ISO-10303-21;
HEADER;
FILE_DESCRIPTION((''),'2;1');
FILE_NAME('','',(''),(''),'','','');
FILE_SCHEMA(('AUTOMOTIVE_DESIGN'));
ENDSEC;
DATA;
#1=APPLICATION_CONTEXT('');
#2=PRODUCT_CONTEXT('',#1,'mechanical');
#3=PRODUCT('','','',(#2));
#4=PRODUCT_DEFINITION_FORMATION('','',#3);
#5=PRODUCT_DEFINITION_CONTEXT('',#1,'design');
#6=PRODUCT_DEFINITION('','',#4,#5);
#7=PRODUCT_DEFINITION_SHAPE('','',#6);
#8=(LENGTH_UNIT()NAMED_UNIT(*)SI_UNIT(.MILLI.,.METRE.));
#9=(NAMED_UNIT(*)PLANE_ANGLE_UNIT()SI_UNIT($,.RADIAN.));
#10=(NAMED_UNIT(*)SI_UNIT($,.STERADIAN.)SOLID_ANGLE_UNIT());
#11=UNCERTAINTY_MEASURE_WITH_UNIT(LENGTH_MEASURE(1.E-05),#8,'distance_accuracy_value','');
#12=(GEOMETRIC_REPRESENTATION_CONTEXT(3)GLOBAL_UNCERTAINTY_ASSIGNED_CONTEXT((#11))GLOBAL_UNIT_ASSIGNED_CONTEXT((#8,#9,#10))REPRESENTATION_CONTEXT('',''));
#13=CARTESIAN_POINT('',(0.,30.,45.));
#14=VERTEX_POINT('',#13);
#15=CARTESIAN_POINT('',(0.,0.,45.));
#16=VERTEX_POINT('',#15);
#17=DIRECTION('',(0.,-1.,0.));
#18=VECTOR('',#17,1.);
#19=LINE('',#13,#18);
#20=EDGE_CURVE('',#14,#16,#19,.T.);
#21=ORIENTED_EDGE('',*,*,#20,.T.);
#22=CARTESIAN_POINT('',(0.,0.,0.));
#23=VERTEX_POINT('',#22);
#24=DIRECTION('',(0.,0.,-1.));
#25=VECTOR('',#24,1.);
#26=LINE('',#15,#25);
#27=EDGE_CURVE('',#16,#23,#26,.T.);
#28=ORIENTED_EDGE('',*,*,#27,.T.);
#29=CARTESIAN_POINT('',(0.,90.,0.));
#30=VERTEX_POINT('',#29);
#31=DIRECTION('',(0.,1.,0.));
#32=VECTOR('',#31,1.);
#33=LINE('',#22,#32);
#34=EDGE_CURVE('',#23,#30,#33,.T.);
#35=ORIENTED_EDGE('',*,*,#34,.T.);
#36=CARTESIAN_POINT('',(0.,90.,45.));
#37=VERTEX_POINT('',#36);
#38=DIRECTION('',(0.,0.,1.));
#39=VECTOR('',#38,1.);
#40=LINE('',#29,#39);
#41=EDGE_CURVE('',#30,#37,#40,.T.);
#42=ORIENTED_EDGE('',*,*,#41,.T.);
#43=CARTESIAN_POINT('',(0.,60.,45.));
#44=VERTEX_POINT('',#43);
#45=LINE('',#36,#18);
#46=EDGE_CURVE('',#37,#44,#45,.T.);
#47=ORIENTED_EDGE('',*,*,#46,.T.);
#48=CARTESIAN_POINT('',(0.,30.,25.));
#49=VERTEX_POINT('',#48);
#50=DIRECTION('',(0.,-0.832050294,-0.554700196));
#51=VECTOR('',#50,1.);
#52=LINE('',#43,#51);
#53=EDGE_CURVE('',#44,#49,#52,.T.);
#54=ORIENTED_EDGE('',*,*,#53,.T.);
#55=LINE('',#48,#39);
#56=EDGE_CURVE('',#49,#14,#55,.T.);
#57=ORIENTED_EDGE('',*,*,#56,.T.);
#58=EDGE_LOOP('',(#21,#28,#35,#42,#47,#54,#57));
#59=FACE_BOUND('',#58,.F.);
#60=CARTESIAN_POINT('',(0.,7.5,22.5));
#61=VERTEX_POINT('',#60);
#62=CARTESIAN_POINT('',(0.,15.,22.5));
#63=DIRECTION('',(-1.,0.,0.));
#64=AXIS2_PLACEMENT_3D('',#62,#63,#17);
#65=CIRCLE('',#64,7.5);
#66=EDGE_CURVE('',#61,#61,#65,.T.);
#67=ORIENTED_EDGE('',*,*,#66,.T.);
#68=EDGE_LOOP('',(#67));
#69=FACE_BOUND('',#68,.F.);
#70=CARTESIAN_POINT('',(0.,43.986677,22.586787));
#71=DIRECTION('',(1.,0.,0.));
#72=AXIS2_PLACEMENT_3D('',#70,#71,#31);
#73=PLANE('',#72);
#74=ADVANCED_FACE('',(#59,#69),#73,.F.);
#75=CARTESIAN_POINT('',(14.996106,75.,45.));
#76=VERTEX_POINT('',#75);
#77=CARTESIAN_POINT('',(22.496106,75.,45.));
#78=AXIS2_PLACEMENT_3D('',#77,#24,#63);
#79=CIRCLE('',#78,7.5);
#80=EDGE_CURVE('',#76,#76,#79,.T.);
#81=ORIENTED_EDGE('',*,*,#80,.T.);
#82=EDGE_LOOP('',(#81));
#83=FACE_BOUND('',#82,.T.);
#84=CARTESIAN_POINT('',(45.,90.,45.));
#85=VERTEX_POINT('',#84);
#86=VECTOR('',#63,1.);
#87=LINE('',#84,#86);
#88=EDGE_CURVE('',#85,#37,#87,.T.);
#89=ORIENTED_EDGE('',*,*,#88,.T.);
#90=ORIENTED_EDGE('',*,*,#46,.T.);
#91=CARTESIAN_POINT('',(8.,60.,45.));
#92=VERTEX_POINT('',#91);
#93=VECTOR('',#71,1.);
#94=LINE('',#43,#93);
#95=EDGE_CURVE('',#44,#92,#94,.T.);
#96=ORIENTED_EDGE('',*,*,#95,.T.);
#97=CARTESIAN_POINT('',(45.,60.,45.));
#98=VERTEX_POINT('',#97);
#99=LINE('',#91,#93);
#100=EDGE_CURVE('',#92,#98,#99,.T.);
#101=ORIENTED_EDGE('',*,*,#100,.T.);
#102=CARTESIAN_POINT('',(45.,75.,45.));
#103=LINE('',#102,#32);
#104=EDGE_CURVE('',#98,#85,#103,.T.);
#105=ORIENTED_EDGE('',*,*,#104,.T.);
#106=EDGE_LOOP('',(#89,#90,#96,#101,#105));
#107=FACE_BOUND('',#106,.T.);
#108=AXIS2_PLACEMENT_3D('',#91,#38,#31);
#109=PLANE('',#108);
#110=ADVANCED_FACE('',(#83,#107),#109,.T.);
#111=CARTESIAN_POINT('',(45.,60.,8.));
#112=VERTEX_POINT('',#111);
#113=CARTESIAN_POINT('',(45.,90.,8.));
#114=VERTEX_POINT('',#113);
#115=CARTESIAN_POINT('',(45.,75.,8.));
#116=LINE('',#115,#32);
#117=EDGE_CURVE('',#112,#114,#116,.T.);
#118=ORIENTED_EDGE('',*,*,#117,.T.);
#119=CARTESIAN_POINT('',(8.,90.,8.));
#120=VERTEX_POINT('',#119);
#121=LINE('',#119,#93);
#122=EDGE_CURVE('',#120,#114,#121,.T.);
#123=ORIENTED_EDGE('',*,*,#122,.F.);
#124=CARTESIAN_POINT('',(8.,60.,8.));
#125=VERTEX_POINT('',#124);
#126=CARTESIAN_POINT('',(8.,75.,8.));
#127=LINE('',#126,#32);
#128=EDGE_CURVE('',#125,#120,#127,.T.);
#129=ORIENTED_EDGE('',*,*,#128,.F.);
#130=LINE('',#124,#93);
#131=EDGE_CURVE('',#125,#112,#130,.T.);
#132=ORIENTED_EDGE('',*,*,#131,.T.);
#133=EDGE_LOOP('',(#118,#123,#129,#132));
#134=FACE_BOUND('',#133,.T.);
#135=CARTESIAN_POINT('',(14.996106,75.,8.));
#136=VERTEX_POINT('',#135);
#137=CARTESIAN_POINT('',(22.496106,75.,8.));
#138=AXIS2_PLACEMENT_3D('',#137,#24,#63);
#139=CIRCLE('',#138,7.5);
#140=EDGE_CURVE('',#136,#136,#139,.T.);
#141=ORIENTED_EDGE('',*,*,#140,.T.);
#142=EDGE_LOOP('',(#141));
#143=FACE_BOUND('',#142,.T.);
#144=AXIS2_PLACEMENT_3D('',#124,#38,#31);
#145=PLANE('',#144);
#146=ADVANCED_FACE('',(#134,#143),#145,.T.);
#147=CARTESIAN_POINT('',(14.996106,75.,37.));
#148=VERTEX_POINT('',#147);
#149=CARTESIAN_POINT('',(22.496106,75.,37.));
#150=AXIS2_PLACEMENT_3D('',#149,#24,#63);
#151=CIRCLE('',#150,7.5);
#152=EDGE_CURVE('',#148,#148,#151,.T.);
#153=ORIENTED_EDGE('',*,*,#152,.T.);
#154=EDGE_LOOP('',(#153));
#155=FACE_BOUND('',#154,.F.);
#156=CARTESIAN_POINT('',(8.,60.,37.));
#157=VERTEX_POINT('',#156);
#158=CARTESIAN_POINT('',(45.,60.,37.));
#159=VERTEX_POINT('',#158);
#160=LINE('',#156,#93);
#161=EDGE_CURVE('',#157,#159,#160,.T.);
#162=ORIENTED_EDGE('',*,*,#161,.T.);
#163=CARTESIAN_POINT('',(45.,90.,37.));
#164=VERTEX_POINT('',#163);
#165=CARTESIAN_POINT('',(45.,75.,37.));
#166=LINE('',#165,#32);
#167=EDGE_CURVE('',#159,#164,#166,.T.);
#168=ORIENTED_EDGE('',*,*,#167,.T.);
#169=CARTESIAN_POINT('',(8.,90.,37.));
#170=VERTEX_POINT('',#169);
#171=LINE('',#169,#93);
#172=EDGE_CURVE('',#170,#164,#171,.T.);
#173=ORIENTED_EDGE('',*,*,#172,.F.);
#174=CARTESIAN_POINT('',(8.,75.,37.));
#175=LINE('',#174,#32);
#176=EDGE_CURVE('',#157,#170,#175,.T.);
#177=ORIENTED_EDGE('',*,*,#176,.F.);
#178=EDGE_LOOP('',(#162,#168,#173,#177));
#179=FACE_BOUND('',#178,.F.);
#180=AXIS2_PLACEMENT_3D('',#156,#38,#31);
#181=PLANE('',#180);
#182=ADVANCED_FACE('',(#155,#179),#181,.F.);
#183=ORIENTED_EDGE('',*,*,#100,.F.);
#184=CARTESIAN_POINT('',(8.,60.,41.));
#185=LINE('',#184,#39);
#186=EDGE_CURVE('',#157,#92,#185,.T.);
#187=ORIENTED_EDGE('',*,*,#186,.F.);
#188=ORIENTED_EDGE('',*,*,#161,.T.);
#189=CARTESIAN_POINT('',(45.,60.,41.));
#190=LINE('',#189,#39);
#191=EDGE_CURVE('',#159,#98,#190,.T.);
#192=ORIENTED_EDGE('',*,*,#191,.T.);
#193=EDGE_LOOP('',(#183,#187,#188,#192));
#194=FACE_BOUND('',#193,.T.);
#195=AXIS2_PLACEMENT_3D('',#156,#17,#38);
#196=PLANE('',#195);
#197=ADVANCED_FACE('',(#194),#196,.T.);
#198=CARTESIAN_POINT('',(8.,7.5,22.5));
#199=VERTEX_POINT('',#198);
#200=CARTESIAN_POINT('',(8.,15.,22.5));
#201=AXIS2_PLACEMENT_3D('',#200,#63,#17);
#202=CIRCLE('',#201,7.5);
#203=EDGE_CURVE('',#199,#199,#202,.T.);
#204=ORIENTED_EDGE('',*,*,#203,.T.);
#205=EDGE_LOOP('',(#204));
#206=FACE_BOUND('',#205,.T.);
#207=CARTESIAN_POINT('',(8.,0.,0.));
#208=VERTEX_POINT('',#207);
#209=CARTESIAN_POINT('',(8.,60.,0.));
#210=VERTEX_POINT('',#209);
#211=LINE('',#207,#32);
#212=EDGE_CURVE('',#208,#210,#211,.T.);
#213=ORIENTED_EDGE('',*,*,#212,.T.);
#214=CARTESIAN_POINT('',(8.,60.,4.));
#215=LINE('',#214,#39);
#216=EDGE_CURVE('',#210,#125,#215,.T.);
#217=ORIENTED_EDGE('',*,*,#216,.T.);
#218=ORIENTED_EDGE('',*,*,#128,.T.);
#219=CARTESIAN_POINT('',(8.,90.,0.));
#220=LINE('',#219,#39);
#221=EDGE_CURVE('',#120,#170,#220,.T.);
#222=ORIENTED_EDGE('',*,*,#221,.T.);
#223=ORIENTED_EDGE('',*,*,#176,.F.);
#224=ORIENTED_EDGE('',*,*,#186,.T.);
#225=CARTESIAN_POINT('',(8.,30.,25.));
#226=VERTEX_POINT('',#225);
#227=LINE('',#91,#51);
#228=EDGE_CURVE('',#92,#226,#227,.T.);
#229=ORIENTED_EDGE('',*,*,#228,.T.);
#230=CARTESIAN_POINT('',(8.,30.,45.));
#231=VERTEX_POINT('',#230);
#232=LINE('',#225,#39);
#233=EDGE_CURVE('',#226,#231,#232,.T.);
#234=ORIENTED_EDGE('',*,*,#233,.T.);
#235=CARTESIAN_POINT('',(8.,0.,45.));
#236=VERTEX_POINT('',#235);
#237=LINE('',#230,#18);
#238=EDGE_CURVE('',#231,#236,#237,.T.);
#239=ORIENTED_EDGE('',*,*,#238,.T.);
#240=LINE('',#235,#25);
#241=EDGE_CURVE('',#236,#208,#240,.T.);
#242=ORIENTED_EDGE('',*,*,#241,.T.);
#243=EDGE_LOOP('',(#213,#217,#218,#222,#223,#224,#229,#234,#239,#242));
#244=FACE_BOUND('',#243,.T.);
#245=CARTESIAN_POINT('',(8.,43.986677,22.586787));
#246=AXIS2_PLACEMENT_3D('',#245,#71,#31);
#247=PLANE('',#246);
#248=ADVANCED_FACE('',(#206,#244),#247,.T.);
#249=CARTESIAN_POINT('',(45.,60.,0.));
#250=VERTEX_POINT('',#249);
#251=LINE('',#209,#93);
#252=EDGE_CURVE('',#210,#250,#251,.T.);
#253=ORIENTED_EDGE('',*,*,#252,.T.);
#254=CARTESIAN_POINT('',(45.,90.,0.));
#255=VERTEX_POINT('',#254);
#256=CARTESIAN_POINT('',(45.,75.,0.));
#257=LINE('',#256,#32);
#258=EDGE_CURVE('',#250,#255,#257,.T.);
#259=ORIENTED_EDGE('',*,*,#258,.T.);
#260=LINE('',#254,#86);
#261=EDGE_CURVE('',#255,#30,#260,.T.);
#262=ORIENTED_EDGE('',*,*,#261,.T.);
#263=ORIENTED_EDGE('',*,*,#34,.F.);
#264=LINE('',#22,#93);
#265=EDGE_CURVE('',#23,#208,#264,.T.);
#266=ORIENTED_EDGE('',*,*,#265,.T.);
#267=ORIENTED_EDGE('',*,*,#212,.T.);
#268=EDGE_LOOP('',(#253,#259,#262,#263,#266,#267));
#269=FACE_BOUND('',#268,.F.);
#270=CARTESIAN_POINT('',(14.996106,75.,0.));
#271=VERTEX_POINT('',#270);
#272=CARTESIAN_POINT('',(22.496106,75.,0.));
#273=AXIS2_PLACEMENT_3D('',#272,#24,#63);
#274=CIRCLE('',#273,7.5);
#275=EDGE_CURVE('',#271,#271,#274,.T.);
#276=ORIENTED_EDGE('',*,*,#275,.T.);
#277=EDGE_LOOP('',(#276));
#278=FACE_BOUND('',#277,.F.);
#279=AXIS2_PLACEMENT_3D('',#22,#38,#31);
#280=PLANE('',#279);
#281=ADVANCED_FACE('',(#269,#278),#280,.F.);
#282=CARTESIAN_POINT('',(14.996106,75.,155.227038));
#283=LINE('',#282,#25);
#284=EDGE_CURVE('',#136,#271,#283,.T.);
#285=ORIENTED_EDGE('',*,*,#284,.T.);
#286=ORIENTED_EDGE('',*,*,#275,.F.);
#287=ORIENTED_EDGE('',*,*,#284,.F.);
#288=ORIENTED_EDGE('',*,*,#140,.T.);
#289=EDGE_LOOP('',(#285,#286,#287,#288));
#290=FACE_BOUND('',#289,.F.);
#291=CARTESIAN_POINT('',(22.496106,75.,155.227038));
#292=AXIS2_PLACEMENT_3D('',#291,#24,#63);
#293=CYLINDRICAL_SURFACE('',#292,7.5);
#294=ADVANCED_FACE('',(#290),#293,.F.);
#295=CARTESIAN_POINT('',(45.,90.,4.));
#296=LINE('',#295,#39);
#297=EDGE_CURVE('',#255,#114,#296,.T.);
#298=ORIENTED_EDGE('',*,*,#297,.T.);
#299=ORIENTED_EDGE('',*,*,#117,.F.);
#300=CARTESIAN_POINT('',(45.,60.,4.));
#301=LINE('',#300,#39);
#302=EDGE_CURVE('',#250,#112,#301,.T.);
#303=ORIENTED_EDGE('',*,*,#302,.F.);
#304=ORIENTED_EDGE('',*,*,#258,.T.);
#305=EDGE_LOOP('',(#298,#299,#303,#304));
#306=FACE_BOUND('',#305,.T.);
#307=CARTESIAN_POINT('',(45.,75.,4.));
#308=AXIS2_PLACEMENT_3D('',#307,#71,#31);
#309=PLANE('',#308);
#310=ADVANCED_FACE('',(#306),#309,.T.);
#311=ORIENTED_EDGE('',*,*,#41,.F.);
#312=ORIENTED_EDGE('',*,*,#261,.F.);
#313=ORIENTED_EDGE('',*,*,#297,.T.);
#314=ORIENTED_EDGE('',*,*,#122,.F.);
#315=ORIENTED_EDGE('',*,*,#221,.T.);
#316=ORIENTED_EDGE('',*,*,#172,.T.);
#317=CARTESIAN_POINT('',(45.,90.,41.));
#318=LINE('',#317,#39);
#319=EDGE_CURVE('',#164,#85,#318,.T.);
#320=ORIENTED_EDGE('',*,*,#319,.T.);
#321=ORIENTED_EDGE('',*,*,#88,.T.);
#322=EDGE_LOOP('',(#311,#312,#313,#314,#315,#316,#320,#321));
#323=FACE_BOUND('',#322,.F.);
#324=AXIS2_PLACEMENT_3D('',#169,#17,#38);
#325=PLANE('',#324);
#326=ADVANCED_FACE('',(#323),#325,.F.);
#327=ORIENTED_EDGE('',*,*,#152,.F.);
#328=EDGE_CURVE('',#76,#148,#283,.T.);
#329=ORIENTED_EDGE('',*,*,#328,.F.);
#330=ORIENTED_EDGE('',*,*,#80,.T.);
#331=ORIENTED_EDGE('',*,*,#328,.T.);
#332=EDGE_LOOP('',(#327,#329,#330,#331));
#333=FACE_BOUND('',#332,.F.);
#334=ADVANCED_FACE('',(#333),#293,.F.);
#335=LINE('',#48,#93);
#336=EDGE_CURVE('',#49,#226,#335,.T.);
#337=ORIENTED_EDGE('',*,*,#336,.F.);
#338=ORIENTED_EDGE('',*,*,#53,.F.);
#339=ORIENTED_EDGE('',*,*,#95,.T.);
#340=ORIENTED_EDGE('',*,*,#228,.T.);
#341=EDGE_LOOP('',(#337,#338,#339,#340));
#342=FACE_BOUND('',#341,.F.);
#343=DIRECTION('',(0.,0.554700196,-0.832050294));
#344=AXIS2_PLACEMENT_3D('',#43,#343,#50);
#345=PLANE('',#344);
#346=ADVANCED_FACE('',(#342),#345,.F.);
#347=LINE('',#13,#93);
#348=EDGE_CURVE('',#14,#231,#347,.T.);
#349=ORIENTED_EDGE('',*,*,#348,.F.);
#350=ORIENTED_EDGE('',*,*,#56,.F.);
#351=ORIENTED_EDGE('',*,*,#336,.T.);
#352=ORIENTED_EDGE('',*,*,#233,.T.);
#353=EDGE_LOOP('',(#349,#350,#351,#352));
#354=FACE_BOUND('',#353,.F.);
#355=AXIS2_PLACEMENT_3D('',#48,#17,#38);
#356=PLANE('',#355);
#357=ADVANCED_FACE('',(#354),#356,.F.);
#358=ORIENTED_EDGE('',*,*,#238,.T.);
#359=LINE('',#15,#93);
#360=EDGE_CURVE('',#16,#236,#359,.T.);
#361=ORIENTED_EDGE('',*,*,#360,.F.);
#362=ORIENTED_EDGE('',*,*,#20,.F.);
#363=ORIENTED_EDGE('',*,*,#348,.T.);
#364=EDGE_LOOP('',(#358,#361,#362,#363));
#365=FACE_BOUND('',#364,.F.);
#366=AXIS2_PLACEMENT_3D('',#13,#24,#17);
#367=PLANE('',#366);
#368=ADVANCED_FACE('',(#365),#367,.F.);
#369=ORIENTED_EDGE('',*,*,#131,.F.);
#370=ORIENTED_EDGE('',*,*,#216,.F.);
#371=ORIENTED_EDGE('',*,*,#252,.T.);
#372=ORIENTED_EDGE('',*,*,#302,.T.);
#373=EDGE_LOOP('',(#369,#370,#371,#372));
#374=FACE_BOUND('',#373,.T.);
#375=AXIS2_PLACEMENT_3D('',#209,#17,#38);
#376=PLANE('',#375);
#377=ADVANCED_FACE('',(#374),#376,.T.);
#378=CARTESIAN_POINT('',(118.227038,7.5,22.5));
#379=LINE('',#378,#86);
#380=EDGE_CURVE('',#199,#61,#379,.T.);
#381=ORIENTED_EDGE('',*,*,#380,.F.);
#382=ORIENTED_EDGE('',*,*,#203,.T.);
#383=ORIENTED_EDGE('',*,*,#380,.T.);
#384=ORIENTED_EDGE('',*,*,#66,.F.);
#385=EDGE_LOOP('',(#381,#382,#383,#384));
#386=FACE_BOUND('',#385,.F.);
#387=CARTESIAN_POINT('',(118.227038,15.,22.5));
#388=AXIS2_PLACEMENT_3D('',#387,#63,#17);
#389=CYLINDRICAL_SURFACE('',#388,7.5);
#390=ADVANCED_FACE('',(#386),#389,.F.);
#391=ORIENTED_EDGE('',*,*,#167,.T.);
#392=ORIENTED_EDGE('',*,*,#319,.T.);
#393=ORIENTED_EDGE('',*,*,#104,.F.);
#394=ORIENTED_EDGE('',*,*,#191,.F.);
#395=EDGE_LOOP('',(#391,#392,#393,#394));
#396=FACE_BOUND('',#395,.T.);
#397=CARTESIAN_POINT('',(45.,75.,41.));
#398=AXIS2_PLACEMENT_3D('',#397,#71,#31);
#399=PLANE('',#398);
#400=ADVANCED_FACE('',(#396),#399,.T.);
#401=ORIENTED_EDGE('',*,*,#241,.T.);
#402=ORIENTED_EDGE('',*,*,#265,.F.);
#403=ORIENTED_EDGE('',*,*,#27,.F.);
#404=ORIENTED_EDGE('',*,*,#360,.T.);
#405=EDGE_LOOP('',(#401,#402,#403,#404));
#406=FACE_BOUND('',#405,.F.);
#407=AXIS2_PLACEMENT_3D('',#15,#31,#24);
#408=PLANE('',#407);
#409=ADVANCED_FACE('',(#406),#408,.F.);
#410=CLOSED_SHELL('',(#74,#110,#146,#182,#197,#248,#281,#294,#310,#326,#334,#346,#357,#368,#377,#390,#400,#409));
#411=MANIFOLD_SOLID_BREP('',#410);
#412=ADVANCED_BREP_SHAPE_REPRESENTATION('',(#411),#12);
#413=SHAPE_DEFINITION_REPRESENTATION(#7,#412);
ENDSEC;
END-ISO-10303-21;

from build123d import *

# Parameters (mm, degrees)
F1_DEPTH = 8
F2_W     = 30
F2_H     = 8
F3_DEPTH = 37
F5_D     = 15
F6_D     = 15


with BuildPart() as f1:
    # F0 (on Right) → F1 (new body)
    with BuildSketch(Plane.YZ):
        Polygon((30, 45), (0, 45), (0, 0), (90, 0), (90, 45), (60, 45), (30, 25), align=None)
    extrude(amount=F1_DEPTH)

    # F2 (on face) → F3 (join)
    with BuildSketch(Plane.YZ.offset(8)):
        with Locations((75, 41)):
            Rectangle(F2_W, F2_H)
        with Locations((75, 4)):
            Rectangle(F2_W, F2_H)
    extrude(amount=F3_DEPTH)

    # F5 (through all)
    with Locations(Plane.XY.offset(45)):
        with Locations((22.496106, 75)):
            Hole(F5_D / 2)

    # F6 (through all)
    with Locations(Plane.YZ.offset(8)):
        with Locations((15, 22.5)):
            Hole(F6_D / 2)


solid = f1.part
